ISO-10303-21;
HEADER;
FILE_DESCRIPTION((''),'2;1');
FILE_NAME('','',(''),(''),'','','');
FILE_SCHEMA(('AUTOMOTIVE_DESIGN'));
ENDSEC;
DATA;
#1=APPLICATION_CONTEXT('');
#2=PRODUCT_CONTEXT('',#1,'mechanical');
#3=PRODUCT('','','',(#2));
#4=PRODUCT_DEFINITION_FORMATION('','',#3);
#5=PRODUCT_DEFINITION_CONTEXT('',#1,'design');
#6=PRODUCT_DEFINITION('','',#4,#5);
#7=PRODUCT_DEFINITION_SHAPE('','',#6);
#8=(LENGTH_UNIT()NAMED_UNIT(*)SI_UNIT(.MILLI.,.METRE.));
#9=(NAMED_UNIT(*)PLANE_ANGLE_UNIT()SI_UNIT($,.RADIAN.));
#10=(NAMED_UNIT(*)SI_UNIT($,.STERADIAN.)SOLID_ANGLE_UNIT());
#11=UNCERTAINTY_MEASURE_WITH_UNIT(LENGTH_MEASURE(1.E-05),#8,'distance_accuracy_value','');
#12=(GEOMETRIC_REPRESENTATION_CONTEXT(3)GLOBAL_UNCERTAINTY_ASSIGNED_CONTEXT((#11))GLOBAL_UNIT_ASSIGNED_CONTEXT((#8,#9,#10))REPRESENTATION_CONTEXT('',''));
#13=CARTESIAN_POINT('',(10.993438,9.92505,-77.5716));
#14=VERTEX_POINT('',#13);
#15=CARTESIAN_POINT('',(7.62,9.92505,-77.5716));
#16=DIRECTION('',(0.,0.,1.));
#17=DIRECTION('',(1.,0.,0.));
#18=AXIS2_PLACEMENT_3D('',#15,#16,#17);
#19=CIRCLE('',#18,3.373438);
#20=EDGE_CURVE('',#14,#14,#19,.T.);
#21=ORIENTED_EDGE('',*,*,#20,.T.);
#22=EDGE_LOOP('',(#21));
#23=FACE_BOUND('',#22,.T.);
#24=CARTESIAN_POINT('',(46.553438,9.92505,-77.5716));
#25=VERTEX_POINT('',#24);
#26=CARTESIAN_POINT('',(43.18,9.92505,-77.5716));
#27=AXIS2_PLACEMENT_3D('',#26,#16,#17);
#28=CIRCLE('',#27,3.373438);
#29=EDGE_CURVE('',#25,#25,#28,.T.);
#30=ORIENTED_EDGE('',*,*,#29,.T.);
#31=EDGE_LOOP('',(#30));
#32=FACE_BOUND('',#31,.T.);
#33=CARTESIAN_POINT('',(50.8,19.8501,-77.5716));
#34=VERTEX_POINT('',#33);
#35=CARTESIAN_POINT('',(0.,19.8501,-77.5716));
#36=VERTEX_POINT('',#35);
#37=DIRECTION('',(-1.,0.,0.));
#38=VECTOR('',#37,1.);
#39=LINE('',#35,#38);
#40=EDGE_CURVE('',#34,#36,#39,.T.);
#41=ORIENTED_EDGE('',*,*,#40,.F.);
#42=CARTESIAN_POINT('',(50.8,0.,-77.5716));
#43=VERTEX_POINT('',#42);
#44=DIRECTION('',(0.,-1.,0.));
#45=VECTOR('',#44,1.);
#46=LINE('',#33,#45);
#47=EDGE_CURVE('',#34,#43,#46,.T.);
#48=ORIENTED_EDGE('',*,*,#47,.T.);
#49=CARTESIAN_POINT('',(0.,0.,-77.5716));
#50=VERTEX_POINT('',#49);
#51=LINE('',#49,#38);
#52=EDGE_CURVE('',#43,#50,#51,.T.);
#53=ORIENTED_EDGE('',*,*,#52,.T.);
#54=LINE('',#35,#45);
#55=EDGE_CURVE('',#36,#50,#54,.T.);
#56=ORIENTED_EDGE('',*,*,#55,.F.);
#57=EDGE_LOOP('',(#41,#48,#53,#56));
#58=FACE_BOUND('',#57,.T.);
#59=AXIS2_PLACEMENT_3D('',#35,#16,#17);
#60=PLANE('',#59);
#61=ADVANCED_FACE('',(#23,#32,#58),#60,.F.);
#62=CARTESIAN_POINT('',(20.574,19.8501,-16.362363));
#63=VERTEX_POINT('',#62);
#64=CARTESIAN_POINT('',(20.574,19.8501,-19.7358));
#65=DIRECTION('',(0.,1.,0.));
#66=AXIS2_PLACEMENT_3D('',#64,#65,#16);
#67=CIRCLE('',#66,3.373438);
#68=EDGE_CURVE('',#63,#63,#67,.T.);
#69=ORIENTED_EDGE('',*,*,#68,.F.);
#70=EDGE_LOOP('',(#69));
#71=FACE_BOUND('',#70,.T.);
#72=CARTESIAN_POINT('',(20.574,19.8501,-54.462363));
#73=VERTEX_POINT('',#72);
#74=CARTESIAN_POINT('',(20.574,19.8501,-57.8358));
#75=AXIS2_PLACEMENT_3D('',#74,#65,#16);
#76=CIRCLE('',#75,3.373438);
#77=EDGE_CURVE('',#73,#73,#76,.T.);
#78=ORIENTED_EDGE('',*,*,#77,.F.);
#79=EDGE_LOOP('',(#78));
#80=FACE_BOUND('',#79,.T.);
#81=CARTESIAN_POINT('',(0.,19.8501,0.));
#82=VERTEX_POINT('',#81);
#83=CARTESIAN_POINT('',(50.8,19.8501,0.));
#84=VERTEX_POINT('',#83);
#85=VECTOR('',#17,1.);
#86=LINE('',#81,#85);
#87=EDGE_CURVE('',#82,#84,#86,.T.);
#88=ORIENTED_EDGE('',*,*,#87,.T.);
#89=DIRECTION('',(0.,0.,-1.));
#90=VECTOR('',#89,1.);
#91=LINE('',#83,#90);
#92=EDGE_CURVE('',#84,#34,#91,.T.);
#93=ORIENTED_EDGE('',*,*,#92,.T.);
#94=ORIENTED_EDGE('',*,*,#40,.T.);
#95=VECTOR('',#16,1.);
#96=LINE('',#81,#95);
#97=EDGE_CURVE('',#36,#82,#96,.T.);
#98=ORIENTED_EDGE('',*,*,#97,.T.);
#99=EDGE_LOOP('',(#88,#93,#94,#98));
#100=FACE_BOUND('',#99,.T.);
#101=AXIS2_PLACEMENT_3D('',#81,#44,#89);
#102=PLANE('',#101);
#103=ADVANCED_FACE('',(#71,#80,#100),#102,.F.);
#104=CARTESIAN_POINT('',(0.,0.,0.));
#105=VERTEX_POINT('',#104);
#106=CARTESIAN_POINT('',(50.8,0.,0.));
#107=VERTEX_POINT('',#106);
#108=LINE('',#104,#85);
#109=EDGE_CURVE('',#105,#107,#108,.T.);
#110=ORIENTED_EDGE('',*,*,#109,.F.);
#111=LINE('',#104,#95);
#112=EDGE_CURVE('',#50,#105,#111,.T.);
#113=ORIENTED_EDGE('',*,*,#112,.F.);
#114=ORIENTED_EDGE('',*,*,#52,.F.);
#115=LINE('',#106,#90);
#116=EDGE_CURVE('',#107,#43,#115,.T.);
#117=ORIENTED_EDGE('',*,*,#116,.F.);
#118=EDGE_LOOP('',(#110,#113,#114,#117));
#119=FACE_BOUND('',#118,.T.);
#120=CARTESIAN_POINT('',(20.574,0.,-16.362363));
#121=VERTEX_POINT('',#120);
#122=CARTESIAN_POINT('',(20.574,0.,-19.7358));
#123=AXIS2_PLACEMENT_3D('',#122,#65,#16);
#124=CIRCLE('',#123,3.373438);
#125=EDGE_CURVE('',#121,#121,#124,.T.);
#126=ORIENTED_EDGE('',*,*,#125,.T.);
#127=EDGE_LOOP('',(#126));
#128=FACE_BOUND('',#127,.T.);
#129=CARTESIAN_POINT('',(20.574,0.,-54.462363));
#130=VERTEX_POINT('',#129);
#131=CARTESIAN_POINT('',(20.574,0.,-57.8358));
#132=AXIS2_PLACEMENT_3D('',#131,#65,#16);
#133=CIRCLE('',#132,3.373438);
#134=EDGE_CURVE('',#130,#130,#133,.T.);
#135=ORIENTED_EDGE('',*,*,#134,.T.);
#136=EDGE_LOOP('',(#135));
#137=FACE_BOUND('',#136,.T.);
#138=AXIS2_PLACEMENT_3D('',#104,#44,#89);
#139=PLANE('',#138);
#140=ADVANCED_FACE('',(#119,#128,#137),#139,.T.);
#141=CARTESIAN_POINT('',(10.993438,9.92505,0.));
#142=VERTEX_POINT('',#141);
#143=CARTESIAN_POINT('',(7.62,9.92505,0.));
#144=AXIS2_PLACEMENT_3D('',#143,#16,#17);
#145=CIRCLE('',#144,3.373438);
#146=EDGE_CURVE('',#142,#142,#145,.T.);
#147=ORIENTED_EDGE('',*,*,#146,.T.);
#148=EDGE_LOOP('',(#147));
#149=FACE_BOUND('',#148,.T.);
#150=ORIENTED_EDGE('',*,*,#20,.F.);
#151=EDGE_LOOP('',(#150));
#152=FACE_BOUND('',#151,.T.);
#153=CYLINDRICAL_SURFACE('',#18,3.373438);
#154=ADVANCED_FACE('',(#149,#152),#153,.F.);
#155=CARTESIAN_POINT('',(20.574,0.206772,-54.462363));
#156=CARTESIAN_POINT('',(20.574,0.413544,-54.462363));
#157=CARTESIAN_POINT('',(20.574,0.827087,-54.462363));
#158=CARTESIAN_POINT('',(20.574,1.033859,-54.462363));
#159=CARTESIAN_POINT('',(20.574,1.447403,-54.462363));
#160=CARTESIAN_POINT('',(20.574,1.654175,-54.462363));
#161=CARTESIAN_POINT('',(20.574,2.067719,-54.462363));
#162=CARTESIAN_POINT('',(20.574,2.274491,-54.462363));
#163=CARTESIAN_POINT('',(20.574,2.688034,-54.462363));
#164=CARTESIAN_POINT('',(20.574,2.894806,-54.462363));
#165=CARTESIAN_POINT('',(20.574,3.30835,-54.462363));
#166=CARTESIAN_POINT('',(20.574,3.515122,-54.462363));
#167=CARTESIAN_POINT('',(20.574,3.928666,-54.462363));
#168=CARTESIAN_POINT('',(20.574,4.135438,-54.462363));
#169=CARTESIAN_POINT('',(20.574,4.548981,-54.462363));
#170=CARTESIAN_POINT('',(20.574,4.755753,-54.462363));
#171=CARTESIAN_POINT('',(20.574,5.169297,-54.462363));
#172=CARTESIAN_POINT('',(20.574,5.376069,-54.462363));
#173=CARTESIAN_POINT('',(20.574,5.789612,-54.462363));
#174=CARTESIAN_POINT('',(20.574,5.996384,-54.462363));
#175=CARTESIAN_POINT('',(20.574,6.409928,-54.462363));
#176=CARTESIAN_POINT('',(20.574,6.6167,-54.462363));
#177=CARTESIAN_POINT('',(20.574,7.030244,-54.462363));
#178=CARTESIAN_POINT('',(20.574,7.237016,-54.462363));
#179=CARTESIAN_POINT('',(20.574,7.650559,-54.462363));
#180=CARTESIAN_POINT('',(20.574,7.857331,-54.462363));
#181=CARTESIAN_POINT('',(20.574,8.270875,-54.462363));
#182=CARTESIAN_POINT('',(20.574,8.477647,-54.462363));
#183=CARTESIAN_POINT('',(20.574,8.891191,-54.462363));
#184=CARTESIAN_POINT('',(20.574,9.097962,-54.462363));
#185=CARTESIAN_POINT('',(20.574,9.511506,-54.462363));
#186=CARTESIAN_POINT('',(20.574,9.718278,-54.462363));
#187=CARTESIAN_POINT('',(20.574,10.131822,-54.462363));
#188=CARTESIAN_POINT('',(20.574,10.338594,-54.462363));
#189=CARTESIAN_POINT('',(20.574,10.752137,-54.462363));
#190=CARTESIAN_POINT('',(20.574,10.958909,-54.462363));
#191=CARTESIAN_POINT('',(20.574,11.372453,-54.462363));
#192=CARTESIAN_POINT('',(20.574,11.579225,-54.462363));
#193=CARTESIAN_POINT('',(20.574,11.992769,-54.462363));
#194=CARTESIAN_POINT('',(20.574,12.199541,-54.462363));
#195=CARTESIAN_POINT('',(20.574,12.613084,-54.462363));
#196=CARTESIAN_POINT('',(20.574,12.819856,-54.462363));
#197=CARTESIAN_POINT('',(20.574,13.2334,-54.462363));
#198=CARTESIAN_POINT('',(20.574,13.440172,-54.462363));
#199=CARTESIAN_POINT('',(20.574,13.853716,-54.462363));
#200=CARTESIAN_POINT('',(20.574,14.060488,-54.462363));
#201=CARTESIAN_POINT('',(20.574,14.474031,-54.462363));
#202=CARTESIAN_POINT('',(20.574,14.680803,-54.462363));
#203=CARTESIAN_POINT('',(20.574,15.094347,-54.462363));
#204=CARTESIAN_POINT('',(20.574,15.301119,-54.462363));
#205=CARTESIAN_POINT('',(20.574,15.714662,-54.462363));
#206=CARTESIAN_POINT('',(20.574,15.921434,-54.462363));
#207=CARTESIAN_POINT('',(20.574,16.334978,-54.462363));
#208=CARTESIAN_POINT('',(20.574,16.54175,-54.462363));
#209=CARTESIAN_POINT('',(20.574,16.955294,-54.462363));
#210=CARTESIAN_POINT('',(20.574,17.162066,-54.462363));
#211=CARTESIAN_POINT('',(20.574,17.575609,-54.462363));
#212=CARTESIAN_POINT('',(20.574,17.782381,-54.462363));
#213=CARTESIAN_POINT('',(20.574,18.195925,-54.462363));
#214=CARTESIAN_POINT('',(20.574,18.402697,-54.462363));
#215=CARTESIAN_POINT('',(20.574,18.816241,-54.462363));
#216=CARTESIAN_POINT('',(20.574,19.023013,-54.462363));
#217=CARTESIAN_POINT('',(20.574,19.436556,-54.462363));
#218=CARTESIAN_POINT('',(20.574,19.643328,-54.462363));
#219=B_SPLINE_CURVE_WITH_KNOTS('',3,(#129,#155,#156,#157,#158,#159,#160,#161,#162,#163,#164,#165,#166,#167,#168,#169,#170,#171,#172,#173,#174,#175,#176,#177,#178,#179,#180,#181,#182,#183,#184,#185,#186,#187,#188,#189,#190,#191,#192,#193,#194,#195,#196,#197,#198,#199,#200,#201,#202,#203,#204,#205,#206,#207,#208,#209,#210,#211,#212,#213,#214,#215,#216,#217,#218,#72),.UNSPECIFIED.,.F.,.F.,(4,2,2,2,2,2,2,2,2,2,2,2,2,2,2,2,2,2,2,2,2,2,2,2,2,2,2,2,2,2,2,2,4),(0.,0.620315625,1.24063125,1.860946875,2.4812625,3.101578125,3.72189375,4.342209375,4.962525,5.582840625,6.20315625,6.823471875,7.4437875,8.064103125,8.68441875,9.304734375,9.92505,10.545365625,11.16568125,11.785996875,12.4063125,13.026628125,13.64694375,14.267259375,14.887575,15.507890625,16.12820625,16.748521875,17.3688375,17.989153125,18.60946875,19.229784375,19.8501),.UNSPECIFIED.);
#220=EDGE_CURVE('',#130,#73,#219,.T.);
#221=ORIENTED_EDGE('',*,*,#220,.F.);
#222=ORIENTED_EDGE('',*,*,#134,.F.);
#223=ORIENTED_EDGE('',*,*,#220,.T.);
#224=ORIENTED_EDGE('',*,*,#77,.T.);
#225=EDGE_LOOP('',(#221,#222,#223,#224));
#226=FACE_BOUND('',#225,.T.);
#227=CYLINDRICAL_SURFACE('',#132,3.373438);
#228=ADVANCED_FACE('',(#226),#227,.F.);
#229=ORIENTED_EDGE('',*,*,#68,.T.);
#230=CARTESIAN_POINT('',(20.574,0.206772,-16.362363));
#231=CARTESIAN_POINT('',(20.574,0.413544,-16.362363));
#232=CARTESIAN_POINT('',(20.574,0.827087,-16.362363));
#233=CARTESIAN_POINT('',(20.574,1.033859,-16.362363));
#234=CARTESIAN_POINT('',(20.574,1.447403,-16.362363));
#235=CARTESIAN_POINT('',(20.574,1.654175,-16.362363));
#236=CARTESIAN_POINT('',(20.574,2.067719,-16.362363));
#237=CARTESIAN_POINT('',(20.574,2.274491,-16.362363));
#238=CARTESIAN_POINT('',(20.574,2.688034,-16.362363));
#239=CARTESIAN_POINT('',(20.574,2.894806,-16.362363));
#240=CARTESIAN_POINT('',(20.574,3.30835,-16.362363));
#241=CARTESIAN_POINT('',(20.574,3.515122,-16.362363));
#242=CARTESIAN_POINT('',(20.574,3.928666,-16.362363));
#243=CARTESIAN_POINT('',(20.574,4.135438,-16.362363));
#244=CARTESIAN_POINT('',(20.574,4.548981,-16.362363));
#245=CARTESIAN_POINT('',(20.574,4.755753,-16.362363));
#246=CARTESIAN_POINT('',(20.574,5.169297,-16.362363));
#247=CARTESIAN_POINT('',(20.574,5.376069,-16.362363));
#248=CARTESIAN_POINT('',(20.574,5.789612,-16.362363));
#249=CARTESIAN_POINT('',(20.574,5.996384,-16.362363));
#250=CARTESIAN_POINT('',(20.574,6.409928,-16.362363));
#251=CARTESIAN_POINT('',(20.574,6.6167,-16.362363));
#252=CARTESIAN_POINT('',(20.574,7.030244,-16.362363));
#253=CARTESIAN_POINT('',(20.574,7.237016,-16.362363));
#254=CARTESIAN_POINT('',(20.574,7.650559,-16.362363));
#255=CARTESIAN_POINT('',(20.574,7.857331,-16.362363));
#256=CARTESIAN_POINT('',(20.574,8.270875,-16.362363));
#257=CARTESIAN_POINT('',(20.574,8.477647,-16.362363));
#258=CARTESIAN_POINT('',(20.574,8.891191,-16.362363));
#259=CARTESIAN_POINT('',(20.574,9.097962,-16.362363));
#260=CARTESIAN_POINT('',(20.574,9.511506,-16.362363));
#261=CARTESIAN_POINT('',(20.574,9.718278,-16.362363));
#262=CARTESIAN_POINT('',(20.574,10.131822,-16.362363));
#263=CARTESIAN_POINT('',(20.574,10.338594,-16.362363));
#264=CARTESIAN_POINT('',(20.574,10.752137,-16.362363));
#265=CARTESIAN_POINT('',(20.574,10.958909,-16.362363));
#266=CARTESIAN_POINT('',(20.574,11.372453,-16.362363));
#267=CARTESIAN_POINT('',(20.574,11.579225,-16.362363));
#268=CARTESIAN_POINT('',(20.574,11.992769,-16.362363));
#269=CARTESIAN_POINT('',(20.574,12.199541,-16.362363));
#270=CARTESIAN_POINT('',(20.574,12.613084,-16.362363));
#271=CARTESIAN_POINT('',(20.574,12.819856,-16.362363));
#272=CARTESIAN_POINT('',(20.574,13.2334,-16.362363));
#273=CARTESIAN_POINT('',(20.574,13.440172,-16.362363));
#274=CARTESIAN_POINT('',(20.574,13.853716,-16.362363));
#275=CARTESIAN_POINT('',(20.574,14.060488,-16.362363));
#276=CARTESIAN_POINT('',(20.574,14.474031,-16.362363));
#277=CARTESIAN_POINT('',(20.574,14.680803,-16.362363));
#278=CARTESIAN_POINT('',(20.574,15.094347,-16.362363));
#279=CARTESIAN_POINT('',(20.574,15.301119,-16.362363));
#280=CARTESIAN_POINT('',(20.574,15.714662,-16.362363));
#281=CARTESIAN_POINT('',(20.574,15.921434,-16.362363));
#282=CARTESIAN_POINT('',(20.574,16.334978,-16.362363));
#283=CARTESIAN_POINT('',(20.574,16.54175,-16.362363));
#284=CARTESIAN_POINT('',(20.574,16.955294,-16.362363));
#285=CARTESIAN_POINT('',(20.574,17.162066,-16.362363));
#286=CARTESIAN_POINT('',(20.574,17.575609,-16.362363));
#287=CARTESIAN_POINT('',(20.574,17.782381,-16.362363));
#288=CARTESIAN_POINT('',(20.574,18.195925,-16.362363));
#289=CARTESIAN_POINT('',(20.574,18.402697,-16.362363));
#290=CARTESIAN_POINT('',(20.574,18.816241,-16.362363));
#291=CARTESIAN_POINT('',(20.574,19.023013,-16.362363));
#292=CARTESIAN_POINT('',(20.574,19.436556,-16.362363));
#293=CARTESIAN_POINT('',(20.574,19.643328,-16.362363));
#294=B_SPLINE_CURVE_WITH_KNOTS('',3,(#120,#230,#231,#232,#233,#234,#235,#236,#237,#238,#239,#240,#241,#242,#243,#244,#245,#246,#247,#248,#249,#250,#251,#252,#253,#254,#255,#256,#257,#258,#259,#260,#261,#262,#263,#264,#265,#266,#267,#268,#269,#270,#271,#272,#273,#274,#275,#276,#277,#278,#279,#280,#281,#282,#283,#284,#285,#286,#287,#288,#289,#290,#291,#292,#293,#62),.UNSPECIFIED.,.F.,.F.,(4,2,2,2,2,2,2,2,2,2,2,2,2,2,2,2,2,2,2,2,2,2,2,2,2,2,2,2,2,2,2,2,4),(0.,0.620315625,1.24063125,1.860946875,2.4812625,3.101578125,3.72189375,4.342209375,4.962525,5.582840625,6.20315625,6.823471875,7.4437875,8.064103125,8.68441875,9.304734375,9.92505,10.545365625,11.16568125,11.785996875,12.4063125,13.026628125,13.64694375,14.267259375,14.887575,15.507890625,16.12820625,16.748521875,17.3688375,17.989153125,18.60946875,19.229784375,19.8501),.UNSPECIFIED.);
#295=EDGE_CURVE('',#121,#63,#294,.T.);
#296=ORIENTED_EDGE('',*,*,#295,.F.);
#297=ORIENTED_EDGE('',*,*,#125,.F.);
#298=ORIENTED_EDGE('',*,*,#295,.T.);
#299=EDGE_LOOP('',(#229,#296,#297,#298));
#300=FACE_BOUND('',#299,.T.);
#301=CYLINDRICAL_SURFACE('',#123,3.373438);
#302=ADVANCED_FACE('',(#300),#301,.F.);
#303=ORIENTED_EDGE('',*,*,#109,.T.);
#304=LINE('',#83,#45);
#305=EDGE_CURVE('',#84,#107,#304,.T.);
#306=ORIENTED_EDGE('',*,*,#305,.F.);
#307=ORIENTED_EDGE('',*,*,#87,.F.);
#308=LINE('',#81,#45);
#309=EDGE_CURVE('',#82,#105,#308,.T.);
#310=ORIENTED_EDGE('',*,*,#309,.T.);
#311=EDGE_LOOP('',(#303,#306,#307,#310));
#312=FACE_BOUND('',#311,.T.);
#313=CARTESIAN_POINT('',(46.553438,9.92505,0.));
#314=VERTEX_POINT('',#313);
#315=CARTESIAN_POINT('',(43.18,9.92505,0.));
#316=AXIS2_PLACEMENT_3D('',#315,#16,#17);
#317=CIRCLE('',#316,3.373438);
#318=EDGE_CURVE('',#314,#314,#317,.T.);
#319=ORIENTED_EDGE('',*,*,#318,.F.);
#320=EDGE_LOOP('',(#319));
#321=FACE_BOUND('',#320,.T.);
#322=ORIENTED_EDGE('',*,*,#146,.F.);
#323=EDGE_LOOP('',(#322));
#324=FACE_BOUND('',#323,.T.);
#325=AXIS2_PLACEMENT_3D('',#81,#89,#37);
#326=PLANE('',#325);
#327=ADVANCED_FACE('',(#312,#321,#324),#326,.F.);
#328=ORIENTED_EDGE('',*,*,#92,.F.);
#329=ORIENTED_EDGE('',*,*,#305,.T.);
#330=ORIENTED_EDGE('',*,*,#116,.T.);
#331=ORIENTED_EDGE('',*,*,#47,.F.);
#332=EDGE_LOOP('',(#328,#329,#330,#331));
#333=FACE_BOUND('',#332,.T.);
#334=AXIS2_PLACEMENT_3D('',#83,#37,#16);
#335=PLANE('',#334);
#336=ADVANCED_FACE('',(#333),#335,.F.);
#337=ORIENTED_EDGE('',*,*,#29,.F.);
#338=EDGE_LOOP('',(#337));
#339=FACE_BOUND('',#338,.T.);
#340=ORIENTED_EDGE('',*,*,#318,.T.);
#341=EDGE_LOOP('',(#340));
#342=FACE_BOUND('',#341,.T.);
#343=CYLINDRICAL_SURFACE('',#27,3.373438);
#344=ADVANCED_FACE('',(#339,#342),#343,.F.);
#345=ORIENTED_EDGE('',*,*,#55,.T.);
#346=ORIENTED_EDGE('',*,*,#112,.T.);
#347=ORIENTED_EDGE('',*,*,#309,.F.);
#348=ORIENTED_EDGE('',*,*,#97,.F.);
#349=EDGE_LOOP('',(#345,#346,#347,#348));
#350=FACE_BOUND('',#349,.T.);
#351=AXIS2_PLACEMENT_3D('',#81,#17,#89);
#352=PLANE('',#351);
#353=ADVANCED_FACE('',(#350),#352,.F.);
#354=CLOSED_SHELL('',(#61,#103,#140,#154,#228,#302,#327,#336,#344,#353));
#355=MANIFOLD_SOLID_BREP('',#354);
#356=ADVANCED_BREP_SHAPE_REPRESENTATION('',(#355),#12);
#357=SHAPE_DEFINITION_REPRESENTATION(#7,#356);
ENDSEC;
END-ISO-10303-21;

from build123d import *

# Parameters (mm, degrees)
SKETCH1_W           = 50.8
SKETCH1_H           = 77.5716
BOSS_EXTRUDE1_DEPTH = 19.8501
SKETCH2_R           = 3.3734375
CUT_EXTRUDE1_DEPTH  = 95.826260058
SKETCH3_R           = 3.3734375
CUT_EXTRUDE2_DEPTH  = 95.826260058


with BuildPart() as part:
    # Sketch1 → Boss-Extrude1 (new body)
    with BuildSketch(Plane(origin=(0, 0, 0), x_dir=(1, 0, 0), z_dir=(0, 1, 0))):
        with Locations((25.4, 38.7858)):
            Rectangle(SKETCH1_W, SKETCH1_H)
    extrude(amount=BOSS_EXTRUDE1_DEPTH)

    # Sketch2 → Cut-Extrude1 (cut, through all)
    with BuildSketch(Plane(origin=(0, 19.8501, 0), x_dir=(1, 0, 0), z_dir=(0, 1, 0))):
        with Locations(Location((20.574, 19.735800015, 0), (0, 0, 270))):
            Circle(SKETCH2_R)
        with Locations(Location((20.574, 57.835800015, 0), (0, 0, 270))):
            Circle(SKETCH2_R)
    extrude(amount=-CUT_EXTRUDE1_DEPTH, mode=Mode.SUBTRACT)

    # Sketch3 → Cut-Extrude2 (cut, through all)
    with BuildSketch(Plane.XY):
        with Locations((7.62, 9.92505)):
            Circle(SKETCH3_R)
        with Locations((43.18, 9.92505)):
            Circle(SKETCH3_R)
    extrude(amount=-CUT_EXTRUDE2_DEPTH, mode=Mode.SUBTRACT)


solid = part.part
